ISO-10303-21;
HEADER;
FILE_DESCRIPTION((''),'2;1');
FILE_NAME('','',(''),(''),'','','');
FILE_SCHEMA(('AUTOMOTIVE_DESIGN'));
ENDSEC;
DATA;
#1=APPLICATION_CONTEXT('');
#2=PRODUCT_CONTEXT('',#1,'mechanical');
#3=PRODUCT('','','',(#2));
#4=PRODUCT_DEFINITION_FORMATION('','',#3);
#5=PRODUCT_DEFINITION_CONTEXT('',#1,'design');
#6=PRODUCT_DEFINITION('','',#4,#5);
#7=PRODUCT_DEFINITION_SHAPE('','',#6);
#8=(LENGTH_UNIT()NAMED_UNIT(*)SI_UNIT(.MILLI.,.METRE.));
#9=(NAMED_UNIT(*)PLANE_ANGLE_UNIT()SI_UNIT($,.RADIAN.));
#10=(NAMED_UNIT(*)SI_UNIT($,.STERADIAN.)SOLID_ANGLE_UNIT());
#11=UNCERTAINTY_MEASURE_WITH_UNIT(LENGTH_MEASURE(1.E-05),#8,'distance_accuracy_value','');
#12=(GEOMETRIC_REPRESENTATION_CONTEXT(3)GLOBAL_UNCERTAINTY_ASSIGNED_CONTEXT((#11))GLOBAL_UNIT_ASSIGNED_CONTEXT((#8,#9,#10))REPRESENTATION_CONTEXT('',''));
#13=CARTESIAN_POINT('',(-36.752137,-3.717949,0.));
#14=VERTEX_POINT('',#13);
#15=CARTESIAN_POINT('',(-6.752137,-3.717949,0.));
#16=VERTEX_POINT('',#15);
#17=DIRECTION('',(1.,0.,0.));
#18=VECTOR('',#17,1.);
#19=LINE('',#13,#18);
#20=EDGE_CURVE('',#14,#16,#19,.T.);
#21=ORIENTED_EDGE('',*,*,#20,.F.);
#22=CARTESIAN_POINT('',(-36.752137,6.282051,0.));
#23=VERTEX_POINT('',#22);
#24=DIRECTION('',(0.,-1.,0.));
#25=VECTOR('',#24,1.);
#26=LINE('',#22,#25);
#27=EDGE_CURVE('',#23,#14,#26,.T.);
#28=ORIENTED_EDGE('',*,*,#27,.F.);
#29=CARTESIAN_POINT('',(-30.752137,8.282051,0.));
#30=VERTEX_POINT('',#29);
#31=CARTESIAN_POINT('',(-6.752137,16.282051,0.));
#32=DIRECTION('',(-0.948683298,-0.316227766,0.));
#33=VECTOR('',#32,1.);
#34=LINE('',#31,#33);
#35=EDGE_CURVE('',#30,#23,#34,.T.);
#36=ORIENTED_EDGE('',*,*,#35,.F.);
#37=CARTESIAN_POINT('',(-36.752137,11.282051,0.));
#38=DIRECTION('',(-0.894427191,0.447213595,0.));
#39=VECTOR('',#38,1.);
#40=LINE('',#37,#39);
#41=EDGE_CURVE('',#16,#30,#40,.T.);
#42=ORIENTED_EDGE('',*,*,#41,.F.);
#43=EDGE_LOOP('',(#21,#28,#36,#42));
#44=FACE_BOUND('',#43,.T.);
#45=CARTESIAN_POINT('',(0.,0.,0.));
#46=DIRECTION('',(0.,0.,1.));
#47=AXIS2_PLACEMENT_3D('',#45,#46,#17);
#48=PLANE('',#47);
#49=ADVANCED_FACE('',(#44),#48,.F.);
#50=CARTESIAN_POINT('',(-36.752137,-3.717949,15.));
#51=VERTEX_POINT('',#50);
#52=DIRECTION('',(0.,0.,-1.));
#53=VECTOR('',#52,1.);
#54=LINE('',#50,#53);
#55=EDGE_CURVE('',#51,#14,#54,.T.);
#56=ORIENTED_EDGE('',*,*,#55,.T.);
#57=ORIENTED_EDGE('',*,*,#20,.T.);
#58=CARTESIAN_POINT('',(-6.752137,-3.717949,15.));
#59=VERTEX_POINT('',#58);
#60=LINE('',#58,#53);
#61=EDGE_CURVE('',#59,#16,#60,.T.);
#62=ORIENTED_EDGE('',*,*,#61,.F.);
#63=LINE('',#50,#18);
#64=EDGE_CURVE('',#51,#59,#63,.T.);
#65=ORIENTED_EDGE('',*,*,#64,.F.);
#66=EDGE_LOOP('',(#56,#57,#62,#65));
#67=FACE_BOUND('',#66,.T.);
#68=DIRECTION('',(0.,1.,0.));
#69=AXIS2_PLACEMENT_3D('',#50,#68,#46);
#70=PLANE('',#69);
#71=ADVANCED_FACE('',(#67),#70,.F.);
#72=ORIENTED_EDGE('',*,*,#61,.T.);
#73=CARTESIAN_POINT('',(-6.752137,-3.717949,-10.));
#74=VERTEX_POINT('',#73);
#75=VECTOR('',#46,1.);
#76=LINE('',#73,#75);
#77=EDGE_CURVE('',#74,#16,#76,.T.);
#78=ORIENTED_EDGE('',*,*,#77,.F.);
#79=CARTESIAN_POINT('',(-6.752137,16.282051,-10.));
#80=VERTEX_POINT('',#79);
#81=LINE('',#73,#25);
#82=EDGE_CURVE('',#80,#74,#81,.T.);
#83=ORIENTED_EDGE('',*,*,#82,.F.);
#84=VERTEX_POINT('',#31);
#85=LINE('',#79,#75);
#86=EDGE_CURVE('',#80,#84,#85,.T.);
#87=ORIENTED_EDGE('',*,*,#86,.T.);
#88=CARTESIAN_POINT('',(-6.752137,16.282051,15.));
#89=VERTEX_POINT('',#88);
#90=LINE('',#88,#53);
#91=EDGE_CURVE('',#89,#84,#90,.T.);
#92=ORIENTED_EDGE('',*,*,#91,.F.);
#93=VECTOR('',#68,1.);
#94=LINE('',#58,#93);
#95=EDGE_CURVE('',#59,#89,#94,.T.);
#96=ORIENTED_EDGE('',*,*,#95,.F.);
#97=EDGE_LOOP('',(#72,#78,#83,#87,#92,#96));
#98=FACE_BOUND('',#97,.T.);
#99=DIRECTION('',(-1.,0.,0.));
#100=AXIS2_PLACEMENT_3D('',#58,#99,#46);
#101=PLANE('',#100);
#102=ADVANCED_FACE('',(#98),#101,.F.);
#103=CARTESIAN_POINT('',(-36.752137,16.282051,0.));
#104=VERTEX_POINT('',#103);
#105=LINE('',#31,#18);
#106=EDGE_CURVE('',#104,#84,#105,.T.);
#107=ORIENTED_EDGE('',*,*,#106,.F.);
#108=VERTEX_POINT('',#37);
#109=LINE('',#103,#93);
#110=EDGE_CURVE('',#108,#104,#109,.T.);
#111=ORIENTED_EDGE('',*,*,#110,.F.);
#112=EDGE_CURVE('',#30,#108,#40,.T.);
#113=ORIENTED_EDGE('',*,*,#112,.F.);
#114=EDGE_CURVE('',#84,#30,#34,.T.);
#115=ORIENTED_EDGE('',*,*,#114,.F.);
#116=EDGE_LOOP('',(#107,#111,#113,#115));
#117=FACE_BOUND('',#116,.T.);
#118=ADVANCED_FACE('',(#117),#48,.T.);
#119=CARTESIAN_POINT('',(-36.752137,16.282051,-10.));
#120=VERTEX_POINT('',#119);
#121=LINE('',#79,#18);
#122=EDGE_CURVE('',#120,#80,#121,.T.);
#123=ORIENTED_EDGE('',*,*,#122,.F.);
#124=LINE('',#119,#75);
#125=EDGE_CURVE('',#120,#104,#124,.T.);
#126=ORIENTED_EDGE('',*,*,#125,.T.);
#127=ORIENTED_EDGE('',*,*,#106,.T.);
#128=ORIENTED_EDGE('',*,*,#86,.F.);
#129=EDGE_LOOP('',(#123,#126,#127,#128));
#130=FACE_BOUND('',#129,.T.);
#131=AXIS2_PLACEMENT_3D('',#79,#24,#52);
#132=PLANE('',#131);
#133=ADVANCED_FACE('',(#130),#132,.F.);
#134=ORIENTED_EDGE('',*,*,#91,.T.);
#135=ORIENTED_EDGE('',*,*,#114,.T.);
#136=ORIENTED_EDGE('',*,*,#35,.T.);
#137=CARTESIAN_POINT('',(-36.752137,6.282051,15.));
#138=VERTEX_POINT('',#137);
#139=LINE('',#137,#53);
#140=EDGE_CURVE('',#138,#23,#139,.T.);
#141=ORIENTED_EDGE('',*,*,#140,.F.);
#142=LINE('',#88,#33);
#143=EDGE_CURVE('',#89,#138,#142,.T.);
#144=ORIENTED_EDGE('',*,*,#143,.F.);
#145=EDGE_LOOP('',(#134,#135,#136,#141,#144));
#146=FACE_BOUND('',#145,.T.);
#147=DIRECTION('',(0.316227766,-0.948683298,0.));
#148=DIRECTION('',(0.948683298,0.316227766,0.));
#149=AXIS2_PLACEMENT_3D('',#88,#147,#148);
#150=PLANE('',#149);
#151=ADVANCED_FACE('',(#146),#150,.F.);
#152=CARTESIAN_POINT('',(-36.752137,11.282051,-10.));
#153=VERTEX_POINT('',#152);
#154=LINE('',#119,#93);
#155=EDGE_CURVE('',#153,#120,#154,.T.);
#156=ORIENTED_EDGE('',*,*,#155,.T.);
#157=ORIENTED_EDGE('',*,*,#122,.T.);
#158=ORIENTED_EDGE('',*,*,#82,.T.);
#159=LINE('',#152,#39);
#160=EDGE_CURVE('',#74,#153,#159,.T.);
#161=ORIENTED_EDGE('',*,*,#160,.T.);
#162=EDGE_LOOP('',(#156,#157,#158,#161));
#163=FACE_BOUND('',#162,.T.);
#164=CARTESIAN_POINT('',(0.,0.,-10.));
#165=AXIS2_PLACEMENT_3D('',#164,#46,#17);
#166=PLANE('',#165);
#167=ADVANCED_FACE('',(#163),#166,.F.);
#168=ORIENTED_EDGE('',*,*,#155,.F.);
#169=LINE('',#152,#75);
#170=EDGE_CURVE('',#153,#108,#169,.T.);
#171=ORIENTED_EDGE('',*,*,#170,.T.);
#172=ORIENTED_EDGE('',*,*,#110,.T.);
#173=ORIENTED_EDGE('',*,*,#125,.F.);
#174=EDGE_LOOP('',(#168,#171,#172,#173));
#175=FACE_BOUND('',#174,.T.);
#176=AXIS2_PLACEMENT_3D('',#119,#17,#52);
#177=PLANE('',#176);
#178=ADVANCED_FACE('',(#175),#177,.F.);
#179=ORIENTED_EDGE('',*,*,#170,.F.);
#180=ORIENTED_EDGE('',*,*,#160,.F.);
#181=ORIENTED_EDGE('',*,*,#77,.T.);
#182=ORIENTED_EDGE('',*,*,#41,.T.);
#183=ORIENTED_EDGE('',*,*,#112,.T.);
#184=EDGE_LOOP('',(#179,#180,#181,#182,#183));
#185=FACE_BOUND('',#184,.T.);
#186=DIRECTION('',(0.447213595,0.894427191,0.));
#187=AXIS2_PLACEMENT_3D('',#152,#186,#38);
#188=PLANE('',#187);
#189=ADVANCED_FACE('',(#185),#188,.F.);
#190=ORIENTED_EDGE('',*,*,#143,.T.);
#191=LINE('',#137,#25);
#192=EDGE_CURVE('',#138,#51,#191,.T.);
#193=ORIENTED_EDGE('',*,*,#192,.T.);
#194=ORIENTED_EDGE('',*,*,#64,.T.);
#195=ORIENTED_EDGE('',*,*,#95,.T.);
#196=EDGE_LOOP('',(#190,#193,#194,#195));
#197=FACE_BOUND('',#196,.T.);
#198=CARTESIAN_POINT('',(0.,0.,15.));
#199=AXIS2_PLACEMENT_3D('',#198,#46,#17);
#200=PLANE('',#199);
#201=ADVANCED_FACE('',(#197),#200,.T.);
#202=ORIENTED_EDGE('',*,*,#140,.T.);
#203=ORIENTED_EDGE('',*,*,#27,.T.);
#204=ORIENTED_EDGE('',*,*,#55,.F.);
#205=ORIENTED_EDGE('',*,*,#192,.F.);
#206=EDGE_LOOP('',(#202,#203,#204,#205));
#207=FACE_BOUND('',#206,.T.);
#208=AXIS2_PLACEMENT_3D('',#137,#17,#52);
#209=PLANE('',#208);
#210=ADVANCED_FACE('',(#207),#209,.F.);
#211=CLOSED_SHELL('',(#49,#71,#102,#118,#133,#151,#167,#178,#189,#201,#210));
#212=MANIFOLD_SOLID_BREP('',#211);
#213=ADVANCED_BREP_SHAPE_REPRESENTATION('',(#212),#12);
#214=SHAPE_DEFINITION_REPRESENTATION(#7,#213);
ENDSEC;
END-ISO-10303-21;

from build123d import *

# Parameters (mm, degrees)
BOSS_EXTRUDE1_DEPTH = 15
BOSS_EXTRUDE2_DEPTH = 10


with BuildPart() as part:
    # Sketch1 → Boss-Extrude1 (new body)
    with BuildSketch(Plane.XY):
        Polygon((-36.752136752, 6.282051282), (-36.752136752, -3.717948718), (-6.752136752, -3.717948718), (-6.752136752, 16.282051282), align=None)
    extrude(amount=BOSS_EXTRUDE1_DEPTH)

    # Sketch2 → Boss-Extrude2 (add)
    with BuildSketch(Plane(origin=(0, 0, 0), x_dir=(-1, 0, 0), z_dir=(0, 0, -1))):
        Polygon((6.752136752, -3.717948718), (6.752136752, 16.282051282), (36.752136752, 16.282051282), (36.752136752, 11.282051282), align=None)
    extrude(amount=BOSS_EXTRUDE2_DEPTH)


solid = part.part
